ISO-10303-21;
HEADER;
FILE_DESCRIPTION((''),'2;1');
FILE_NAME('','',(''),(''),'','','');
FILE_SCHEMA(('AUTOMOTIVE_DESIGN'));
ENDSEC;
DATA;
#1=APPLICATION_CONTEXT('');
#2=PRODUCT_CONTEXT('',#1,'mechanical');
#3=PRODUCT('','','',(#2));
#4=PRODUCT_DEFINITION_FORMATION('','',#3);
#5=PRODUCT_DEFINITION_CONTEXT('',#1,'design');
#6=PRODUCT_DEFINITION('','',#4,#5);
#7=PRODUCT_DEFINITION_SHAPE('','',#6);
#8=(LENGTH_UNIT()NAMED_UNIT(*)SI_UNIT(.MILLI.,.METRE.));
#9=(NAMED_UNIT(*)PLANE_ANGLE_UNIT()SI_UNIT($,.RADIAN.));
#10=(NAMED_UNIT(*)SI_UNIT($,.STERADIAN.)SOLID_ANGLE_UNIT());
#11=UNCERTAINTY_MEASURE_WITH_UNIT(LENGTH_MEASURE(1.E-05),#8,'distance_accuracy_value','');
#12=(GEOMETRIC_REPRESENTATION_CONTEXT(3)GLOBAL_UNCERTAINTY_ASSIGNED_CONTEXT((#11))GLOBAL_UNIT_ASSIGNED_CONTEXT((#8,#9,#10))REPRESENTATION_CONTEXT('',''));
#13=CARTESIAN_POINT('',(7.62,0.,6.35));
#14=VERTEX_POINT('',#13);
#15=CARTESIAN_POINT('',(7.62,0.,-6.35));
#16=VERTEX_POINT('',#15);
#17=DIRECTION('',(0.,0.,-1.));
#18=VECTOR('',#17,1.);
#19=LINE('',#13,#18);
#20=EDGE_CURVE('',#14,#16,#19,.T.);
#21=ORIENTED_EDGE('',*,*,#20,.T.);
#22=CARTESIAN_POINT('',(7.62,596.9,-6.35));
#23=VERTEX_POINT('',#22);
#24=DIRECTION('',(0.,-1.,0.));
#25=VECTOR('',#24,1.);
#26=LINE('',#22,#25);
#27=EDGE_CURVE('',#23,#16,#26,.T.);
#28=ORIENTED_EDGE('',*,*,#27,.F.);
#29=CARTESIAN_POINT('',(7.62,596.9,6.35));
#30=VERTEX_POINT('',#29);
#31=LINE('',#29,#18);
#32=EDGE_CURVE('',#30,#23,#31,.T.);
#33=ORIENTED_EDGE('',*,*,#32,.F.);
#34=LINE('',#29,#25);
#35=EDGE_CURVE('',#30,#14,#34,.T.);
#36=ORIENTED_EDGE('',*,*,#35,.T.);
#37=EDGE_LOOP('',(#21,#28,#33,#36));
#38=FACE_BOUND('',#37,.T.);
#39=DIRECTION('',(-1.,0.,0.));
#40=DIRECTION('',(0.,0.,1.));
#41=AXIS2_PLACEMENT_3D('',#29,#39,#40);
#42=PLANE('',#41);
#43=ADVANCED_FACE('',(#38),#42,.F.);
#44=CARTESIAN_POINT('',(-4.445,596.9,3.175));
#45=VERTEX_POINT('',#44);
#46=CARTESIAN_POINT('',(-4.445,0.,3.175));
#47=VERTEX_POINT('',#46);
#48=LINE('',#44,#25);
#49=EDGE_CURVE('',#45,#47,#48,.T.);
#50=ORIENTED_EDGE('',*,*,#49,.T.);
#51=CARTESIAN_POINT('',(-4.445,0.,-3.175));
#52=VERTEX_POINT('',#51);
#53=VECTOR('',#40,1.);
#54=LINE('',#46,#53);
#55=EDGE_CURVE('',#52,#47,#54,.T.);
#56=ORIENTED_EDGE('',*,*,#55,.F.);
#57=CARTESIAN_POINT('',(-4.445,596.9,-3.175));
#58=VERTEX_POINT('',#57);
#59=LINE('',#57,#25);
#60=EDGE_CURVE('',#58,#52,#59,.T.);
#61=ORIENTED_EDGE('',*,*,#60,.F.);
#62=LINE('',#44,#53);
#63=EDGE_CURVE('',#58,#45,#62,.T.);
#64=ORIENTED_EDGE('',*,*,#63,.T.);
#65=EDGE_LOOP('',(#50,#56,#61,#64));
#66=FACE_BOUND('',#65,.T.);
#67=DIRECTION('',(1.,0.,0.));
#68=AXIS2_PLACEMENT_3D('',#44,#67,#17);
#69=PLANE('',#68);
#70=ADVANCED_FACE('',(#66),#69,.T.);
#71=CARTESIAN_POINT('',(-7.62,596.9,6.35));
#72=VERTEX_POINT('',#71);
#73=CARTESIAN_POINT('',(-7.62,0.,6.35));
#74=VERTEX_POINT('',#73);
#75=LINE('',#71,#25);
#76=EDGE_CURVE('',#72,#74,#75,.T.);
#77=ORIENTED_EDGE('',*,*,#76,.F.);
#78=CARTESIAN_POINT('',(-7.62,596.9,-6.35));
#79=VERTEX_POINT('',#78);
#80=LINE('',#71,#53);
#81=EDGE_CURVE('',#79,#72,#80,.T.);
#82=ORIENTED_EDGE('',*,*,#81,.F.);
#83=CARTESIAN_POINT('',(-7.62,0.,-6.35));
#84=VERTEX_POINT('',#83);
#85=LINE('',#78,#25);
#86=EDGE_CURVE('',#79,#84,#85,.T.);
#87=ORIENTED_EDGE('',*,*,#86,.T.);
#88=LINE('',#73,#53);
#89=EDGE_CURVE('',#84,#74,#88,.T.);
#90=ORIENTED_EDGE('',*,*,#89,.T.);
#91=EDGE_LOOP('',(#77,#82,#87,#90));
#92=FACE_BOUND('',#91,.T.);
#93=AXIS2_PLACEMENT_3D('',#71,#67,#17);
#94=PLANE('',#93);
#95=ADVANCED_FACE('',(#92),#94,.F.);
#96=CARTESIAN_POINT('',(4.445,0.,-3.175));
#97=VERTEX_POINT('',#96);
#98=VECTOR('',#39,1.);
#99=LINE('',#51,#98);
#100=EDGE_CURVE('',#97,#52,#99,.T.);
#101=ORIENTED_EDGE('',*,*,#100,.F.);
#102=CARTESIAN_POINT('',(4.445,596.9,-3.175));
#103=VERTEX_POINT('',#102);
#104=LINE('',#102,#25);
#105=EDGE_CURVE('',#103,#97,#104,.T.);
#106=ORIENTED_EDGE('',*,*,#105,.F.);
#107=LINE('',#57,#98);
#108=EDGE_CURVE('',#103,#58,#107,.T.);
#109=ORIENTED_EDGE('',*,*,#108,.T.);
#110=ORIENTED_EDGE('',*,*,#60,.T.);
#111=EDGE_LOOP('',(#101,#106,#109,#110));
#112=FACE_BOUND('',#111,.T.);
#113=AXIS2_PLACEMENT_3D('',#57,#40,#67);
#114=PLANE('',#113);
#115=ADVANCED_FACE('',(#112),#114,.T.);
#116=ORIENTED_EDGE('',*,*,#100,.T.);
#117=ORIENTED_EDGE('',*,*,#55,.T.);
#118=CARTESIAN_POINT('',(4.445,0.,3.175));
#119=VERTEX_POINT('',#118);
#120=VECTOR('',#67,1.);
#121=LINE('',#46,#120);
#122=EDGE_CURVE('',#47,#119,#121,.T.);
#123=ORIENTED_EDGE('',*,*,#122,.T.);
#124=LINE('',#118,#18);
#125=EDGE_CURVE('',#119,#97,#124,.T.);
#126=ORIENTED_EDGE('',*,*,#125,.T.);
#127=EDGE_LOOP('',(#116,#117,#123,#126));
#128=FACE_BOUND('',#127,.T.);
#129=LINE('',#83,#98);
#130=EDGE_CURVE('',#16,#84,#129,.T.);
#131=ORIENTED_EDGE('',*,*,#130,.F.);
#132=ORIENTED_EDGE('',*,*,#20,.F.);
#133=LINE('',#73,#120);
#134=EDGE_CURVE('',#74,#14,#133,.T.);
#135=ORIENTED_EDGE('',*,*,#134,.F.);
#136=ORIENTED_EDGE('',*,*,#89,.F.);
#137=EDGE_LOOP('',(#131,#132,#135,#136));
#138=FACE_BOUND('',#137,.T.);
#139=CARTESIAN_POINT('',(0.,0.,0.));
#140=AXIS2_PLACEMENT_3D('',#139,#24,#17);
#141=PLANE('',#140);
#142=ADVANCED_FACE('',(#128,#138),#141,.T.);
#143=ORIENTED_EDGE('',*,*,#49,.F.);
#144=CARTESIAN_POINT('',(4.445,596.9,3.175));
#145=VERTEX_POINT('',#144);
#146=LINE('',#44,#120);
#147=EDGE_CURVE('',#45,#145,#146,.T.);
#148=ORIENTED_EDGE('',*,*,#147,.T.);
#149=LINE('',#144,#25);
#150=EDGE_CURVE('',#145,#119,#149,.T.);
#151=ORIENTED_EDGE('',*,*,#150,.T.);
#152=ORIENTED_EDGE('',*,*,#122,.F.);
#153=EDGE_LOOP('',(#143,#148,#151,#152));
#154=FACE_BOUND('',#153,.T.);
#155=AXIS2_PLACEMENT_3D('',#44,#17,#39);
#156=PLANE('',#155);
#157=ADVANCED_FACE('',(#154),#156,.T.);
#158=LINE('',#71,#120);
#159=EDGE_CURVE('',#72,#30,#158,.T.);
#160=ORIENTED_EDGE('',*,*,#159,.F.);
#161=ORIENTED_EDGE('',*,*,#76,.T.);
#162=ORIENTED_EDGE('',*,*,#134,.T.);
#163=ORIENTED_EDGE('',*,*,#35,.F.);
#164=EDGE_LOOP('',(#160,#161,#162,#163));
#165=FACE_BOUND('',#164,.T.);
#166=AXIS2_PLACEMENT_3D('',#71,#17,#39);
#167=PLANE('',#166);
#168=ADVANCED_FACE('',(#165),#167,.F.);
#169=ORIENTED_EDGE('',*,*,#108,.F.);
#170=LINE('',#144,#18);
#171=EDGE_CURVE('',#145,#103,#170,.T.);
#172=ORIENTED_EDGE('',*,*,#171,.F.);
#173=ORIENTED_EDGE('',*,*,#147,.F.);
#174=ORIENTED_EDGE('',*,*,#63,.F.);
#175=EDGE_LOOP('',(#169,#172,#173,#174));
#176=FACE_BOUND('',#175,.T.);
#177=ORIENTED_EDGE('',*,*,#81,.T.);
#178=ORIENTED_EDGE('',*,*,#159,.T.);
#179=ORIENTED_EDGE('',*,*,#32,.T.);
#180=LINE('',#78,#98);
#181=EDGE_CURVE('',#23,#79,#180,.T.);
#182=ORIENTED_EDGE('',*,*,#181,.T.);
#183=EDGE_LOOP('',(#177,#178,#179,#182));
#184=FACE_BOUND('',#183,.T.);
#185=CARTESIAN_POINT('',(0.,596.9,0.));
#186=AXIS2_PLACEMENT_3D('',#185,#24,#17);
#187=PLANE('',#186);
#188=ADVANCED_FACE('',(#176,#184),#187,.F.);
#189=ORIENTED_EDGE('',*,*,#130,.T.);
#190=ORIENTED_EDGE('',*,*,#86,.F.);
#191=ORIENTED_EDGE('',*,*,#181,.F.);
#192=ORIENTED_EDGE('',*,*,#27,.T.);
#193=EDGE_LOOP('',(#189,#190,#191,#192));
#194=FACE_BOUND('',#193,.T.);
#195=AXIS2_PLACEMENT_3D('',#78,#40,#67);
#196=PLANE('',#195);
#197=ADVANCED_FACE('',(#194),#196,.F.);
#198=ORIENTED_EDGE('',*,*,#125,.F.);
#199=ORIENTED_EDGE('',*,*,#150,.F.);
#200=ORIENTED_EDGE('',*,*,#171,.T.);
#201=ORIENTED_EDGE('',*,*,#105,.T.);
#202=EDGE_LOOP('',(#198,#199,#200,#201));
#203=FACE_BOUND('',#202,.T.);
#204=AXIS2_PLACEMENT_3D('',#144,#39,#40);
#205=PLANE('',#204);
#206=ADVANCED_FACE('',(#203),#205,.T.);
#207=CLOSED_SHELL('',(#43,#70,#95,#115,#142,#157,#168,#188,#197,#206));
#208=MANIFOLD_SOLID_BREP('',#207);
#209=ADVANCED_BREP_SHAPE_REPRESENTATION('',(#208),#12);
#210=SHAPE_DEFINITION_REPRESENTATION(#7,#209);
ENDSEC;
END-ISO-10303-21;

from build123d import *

# Parameters (mm, degrees)
ESQUISSE1_W        = 15.24
ESQUISSE1_H        = 12.7
ESQUISSE1_W_2      = 8.89
ESQUISSE1_H_2      = 6.35
BOSS_EXTRU_1_DEPTH = 596.9


with BuildPart() as part:
    # Esquisse1 → Boss.-Extru.1 (new body)
    with BuildSketch(Plane(origin=(0, 0, 0), x_dir=(1, 0, 0), z_dir=(0, 1, 0))):
        Rectangle(ESQUISSE1_W, ESQUISSE1_H)
        Rectangle(ESQUISSE1_W_2, ESQUISSE1_H_2, mode=Mode.SUBTRACT)
    extrude(amount=BOSS_EXTRU_1_DEPTH)


solid = part.part
